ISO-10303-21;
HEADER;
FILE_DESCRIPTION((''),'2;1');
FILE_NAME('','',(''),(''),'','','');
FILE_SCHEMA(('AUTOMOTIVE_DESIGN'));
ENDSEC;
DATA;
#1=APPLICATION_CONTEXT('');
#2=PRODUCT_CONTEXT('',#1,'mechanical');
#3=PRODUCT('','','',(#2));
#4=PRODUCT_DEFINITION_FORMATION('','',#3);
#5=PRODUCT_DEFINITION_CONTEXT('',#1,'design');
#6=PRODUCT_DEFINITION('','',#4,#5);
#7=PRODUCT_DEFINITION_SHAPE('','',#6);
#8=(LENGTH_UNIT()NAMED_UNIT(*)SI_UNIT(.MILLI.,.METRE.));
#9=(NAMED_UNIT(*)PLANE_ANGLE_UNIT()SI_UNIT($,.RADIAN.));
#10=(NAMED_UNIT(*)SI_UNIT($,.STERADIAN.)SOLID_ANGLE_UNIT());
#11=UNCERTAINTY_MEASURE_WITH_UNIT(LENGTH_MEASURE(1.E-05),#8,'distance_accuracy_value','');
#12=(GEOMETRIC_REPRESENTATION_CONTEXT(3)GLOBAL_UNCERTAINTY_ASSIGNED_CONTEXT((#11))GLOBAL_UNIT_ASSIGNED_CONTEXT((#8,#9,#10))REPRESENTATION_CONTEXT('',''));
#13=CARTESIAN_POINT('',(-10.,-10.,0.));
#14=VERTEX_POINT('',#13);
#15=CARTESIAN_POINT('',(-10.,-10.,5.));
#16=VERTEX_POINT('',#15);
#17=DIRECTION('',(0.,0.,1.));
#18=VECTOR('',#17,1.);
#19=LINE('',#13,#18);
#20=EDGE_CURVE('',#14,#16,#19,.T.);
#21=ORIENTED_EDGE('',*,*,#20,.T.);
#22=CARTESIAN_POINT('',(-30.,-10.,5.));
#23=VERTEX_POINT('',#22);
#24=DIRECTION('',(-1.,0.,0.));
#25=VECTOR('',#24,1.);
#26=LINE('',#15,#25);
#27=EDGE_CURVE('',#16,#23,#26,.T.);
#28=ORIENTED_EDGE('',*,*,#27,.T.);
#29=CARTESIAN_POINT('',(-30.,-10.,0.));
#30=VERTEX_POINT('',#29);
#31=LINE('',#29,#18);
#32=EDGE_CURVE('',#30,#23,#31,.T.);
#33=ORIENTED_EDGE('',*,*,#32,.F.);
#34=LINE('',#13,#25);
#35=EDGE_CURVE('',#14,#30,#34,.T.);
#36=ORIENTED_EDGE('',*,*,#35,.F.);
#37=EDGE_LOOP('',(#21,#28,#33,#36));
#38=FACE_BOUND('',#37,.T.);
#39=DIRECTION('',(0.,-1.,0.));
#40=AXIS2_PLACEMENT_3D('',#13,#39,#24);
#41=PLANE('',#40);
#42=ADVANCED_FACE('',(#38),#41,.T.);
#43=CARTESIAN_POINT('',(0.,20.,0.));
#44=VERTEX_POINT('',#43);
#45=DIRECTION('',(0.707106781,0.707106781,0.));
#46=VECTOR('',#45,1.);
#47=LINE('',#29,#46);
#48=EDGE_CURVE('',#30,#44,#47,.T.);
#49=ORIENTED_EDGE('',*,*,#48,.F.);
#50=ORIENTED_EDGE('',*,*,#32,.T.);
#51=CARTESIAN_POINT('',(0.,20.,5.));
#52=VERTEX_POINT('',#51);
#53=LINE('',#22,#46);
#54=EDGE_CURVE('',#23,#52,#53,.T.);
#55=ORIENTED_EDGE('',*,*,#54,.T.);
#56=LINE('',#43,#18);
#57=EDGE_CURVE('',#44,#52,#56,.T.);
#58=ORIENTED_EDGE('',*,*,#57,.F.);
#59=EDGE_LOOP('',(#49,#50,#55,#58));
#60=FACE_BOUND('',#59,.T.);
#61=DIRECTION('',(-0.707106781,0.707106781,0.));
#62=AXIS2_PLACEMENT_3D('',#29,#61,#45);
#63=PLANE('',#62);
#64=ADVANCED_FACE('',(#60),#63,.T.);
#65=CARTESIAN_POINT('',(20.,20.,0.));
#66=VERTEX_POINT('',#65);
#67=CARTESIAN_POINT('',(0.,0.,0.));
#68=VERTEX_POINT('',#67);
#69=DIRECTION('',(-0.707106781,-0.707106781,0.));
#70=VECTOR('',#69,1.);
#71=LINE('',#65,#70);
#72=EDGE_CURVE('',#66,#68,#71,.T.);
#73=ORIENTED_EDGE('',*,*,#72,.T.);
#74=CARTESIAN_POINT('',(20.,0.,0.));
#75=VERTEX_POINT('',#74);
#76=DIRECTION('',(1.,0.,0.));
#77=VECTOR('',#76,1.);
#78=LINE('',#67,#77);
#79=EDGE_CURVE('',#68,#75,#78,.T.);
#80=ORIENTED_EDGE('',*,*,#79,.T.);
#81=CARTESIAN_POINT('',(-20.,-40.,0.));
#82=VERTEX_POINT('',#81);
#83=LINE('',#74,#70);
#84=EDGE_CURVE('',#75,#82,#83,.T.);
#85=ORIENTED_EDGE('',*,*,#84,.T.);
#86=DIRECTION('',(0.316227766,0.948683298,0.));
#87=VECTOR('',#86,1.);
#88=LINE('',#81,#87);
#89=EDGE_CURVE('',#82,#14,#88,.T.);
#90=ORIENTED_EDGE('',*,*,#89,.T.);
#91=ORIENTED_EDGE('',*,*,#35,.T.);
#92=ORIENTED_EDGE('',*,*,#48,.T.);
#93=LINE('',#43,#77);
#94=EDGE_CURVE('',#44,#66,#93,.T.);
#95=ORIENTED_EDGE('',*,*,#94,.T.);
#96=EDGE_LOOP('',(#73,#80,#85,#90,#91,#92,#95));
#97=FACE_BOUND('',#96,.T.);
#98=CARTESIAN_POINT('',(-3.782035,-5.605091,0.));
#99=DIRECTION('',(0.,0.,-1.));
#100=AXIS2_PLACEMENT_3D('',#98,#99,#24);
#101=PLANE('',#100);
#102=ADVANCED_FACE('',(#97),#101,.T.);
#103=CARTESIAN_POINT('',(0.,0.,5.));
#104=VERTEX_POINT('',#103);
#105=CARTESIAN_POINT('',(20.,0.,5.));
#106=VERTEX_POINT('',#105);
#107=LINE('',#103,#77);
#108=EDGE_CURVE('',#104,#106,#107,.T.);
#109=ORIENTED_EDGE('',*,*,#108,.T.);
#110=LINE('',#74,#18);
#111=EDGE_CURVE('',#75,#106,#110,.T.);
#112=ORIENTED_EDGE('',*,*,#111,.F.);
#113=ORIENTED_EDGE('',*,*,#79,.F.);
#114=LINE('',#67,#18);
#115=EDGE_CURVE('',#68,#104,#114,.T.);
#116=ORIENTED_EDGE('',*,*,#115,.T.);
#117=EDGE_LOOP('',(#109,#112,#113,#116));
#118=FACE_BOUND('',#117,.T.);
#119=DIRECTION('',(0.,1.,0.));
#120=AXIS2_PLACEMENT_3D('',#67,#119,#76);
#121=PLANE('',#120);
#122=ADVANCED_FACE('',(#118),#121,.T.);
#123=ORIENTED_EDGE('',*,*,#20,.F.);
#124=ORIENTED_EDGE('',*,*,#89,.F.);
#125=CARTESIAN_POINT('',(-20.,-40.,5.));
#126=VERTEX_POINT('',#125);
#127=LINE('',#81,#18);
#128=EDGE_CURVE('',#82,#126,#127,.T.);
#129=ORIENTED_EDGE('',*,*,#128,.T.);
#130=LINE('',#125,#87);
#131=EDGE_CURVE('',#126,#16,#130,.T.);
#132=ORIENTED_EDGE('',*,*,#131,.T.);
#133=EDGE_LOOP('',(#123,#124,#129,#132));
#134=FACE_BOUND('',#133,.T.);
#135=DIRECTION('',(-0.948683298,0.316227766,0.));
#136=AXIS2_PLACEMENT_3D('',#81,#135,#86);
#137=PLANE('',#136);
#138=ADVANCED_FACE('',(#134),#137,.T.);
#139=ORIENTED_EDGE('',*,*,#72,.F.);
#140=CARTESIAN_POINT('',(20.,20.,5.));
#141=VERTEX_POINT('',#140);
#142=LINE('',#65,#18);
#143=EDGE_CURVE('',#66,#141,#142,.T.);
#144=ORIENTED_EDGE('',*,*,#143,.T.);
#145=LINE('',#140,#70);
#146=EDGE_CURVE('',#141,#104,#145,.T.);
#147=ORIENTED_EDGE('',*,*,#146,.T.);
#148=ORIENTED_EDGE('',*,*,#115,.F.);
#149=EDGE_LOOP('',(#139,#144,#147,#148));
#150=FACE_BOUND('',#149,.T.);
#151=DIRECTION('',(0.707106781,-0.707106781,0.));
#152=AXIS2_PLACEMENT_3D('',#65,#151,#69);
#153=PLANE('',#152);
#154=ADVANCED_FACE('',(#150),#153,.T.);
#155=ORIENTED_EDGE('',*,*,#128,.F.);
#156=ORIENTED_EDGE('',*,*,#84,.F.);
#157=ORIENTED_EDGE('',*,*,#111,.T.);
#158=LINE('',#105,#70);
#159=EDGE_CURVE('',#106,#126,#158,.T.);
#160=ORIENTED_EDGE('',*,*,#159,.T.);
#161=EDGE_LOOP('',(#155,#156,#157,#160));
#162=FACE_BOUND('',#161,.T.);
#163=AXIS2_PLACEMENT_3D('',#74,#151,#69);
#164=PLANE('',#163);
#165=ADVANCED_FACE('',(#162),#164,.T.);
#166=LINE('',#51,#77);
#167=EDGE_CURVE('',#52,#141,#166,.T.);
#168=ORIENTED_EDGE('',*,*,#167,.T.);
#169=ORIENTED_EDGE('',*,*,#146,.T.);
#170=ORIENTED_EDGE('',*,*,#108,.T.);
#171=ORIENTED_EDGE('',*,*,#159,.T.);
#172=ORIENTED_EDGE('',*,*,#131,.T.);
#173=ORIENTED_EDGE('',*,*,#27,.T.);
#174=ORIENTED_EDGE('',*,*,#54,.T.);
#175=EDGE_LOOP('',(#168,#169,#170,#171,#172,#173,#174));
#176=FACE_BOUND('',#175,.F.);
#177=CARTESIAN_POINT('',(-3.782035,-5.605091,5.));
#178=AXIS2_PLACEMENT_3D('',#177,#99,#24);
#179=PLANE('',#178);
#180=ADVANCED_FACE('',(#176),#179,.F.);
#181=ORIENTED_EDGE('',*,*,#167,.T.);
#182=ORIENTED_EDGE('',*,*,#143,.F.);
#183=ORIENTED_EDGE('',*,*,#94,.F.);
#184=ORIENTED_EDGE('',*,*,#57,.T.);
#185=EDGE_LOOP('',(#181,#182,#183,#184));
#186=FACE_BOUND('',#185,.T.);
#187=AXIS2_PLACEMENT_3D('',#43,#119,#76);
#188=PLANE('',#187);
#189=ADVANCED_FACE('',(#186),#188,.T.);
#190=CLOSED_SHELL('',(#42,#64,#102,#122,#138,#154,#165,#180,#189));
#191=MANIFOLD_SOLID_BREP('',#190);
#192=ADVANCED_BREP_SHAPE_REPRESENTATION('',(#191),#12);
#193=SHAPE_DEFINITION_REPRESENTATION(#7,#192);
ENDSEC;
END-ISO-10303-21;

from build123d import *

# Parameters (mm, degrees)
PAD_DEPTH = 5


with BuildPart() as part:
    # Sketch → Pad (new body)
    with BuildSketch(Plane.XY):
        Polygon((0, 20), (20, 20), (0, 0), (20, 0), (-20, -40), (-10, -10), (-30, -10), align=None)
    extrude(amount=PAD_DEPTH)


solid = part.part
